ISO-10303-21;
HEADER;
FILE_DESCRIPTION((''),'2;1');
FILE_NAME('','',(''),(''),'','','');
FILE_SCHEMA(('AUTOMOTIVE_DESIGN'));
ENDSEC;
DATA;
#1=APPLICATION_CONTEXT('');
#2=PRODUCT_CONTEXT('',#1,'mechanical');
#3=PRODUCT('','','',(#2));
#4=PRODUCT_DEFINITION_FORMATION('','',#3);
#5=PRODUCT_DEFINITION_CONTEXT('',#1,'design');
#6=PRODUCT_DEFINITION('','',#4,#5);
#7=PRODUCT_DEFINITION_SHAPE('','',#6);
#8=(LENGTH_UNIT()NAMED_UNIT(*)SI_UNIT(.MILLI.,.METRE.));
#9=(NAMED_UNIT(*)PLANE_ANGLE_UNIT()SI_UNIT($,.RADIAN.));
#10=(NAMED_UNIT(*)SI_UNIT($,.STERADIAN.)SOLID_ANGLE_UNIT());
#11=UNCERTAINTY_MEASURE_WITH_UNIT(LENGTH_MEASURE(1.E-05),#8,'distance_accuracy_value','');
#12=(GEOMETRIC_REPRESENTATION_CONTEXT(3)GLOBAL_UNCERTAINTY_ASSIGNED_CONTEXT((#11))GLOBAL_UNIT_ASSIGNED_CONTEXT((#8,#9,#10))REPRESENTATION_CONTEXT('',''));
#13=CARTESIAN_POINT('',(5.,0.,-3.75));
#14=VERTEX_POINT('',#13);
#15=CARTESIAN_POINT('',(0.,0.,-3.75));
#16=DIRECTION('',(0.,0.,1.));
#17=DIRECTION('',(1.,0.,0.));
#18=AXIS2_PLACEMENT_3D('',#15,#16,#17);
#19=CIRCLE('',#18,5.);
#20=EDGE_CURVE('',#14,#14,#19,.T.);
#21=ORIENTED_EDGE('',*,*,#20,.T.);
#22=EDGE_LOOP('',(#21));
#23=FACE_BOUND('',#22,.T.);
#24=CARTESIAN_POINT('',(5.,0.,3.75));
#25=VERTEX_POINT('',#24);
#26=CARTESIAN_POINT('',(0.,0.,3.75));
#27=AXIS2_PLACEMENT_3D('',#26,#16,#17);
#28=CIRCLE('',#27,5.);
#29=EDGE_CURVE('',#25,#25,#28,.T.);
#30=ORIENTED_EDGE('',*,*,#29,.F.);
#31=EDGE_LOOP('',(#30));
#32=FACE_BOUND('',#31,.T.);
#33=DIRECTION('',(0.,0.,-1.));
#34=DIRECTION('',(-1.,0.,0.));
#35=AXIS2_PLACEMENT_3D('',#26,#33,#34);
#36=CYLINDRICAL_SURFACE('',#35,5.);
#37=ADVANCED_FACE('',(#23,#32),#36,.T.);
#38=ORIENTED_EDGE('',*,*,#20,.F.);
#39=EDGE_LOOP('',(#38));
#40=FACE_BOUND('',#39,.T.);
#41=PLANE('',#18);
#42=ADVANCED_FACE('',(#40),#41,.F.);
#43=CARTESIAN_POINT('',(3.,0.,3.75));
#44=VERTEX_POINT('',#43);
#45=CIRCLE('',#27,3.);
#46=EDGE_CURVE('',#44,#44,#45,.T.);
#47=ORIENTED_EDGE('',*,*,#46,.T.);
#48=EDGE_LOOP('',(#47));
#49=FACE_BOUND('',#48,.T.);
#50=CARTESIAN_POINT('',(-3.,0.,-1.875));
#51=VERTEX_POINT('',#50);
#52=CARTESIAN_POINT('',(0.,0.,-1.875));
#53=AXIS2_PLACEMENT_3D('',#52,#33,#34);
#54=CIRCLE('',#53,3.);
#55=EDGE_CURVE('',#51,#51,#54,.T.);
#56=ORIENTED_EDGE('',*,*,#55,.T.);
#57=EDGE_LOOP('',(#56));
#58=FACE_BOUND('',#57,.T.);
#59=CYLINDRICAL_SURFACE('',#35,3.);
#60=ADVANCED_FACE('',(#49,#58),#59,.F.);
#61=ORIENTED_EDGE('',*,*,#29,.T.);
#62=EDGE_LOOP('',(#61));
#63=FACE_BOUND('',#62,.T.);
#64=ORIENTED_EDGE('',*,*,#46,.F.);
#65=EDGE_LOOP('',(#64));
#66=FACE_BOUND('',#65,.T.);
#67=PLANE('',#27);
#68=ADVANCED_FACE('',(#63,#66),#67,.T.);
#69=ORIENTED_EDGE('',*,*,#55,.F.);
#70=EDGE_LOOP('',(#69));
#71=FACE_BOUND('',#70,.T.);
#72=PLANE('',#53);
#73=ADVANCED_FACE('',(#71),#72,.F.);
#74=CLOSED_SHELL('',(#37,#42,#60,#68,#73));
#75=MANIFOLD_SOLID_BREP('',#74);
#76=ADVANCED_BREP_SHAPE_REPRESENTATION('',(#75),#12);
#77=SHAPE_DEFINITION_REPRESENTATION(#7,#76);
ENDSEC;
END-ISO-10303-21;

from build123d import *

# Parameters (mm, degrees)
SKETCH1_R           = 5
SKETCH1_R_2         = 3
BOSS_EXTRUDE1_DEPTH = 3.75
SKETCH2_R           = 3
BOSS_EXTRUDE2_DEPTH = 1.875


with BuildPart() as part:
    # Sketch1 → Boss-Extrude1 (new, symmetric)
    with BuildSketch(Plane.XY):
        Circle(SKETCH1_R)
        Circle(SKETCH1_R_2, mode=Mode.SUBTRACT)
    extrude(amount=BOSS_EXTRUDE1_DEPTH, both=True)

    # Sketch2 → Boss-Extrude2 (add)
    with BuildSketch(Plane(origin=(0, 0, -3.75), x_dir=(-1, 0, 0), z_dir=(0, 0, -1))):
        Circle(SKETCH2_R)
    extrude(amount=-BOSS_EXTRUDE2_DEPTH)


solid = part.part
